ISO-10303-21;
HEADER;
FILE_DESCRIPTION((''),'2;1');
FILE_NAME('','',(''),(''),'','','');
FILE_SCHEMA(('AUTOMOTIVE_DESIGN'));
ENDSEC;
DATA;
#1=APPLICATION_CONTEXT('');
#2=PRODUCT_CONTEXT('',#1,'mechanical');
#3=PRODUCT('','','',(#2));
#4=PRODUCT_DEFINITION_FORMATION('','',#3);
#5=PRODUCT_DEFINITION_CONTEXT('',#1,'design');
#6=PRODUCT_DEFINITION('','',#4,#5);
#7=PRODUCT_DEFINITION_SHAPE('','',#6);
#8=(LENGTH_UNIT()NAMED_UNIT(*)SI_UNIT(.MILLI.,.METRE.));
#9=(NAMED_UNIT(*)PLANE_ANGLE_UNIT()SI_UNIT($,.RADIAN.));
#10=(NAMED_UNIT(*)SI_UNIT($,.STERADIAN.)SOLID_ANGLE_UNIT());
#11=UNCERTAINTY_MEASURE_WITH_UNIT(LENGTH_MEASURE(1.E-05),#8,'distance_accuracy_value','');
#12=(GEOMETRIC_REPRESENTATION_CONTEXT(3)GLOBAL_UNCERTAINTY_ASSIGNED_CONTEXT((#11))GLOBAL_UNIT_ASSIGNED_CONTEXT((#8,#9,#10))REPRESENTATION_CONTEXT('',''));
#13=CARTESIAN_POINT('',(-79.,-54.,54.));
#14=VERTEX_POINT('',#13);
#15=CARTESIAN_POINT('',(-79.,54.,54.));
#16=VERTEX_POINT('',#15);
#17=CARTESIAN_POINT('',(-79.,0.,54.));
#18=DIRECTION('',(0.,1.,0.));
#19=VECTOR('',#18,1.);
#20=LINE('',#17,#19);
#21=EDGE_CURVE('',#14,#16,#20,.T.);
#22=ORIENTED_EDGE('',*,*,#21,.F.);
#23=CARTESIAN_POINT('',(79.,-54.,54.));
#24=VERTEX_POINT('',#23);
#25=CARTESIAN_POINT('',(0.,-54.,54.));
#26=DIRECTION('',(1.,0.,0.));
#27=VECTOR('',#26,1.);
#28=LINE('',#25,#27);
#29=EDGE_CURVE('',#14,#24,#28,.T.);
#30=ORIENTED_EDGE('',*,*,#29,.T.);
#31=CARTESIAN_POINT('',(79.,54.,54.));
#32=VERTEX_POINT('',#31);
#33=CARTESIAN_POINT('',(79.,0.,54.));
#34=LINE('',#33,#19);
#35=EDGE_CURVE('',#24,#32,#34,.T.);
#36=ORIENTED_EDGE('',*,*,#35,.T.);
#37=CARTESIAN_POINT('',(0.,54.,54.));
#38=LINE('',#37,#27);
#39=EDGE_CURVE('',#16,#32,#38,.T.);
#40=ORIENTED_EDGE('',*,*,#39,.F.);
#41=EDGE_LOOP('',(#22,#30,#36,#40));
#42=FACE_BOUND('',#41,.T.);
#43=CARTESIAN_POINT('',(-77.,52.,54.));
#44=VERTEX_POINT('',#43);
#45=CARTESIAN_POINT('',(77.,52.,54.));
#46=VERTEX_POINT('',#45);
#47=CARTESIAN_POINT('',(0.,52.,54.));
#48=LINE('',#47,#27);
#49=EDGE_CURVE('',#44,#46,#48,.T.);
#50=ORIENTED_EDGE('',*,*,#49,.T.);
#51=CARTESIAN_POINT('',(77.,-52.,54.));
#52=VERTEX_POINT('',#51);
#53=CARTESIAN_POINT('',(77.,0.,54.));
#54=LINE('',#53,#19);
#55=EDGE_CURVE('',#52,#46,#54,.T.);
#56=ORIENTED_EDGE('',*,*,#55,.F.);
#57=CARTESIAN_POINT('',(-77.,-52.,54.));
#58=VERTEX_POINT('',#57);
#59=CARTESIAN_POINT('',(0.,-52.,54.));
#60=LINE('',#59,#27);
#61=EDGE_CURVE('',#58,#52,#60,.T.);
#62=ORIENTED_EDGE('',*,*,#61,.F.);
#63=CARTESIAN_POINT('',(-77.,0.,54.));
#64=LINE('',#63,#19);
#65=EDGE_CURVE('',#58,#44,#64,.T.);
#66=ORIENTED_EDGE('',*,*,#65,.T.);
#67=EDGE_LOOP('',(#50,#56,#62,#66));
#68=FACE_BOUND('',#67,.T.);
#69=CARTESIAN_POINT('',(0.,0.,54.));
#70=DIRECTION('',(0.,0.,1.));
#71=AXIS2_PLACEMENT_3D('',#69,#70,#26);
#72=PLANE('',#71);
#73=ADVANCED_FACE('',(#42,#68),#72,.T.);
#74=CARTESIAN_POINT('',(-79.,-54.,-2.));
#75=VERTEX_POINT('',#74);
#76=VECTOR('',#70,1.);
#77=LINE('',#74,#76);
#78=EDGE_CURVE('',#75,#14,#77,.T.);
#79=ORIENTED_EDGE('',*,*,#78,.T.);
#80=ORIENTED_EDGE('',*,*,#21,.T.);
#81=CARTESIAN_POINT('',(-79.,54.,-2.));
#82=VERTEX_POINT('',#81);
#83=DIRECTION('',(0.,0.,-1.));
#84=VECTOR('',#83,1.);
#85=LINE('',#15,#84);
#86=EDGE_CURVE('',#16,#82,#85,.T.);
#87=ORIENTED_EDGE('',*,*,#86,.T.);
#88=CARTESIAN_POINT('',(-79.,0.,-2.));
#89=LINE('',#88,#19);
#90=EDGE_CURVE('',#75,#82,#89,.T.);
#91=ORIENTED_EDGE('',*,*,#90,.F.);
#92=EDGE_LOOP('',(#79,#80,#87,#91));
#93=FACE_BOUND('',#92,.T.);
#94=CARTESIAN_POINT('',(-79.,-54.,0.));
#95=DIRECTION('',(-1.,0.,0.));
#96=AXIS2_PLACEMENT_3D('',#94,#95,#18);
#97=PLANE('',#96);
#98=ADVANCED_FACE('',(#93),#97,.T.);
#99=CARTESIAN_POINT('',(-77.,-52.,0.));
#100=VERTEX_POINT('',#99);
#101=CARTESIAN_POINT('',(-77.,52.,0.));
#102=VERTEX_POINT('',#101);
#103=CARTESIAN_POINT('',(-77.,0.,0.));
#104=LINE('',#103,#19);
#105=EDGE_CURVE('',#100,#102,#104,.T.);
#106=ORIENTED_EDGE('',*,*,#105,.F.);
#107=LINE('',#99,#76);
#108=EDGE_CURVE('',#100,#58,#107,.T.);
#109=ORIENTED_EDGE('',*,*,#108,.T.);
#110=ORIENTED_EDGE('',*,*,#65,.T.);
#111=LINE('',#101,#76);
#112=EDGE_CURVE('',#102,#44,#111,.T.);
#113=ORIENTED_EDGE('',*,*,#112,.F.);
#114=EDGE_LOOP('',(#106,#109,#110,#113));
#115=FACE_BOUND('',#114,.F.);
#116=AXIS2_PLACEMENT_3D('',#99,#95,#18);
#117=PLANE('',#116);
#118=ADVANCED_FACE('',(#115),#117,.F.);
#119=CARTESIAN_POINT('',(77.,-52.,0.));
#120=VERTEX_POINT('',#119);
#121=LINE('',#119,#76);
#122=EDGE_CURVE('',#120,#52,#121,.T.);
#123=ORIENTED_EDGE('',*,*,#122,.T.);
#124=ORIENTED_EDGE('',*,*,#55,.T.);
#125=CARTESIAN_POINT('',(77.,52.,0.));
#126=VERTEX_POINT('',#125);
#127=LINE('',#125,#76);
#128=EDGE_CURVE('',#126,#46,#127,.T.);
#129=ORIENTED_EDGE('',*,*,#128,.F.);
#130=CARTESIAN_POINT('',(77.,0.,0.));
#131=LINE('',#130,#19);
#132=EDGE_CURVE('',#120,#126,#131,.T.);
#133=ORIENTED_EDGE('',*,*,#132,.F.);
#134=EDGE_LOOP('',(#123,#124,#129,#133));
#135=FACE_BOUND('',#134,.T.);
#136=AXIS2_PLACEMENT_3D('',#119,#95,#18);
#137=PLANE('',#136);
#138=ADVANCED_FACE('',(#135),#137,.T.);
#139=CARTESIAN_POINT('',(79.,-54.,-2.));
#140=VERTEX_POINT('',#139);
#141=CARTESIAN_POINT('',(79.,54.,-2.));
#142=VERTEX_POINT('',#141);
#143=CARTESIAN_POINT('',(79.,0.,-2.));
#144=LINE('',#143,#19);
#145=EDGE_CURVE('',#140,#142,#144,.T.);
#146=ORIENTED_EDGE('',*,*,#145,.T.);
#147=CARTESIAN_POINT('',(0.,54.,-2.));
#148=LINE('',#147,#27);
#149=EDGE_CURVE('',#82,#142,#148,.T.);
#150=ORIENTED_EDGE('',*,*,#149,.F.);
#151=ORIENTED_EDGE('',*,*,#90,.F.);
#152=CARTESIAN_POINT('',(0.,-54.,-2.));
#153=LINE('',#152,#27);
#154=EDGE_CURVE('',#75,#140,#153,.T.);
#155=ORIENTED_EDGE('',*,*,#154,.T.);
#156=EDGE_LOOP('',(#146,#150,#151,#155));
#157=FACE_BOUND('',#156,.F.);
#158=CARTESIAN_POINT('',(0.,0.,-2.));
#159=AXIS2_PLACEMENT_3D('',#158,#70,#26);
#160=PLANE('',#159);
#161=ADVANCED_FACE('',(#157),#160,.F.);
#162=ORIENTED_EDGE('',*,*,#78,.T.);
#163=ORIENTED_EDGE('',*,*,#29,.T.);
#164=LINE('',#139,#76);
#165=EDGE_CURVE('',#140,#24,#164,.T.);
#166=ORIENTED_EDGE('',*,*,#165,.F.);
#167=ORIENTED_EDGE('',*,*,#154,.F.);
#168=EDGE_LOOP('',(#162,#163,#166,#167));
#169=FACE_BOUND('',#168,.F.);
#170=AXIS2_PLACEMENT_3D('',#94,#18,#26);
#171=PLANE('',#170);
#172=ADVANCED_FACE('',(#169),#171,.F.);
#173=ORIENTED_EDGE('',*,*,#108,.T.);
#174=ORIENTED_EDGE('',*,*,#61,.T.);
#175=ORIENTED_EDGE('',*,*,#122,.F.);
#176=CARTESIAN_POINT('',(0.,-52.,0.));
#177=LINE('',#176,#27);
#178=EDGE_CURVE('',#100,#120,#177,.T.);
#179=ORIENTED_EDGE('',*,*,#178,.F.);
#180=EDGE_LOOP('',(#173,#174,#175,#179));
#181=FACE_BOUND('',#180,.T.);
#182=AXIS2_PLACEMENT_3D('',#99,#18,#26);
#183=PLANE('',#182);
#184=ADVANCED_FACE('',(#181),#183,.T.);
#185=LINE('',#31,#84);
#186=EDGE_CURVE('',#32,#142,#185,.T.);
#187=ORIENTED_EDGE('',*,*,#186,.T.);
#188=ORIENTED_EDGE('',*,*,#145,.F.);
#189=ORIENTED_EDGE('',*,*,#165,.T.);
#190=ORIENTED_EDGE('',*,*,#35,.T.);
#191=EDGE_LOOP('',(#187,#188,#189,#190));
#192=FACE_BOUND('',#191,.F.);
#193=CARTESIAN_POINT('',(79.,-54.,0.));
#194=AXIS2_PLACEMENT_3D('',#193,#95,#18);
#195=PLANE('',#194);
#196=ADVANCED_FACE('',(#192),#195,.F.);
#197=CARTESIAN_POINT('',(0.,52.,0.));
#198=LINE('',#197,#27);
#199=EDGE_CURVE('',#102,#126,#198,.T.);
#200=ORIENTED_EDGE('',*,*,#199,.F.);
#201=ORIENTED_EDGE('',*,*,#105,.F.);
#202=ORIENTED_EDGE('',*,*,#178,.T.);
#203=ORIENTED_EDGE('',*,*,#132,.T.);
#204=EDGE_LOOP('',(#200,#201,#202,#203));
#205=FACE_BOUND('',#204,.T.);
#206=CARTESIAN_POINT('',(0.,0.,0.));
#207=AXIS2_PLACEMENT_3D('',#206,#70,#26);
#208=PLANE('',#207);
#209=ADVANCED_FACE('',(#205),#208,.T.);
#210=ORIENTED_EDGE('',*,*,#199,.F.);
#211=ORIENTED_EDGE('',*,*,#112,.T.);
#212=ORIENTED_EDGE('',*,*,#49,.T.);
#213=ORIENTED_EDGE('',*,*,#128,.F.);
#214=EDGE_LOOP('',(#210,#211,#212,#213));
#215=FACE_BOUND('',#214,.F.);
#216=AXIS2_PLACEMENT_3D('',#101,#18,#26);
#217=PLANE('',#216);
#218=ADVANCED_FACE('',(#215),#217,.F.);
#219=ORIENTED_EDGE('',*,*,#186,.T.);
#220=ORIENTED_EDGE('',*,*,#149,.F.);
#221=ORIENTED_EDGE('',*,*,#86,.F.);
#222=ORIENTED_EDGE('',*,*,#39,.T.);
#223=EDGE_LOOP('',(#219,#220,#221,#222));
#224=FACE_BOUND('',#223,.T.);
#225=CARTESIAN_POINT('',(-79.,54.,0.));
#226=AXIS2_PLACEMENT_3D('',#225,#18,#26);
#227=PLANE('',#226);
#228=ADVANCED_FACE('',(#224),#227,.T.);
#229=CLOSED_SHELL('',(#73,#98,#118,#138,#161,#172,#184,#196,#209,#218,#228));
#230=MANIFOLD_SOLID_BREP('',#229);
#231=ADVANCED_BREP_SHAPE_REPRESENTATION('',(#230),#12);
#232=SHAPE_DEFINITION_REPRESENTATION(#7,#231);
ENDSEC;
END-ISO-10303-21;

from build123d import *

# Parameters (mm, degrees)
F0_W     = 158
F0_H     = 108
F0_W_2   = 154
F0_H_2   = 104
F1_DEPTH = 2
F2_DEPTH = 54


with BuildPart() as f1:
    # F0 (on Top) → F1 (new body)
    with BuildSketch(Plane.XY):
        Rectangle(F0_W, F0_H)
        Rectangle(F0_W_2, F0_H_2, mode=Mode.SUBTRACT)
        Rectangle(F0_W_2, F0_H_2)
    extrude(amount=-F1_DEPTH)

    # F0 (on Top) → F2 (join)
    with BuildSketch(Plane.XY):
        Rectangle(F0_W, F0_H)
        Rectangle(F0_W_2, F0_H_2, mode=Mode.SUBTRACT)
    extrude(amount=F2_DEPTH)


solid = f1.part
